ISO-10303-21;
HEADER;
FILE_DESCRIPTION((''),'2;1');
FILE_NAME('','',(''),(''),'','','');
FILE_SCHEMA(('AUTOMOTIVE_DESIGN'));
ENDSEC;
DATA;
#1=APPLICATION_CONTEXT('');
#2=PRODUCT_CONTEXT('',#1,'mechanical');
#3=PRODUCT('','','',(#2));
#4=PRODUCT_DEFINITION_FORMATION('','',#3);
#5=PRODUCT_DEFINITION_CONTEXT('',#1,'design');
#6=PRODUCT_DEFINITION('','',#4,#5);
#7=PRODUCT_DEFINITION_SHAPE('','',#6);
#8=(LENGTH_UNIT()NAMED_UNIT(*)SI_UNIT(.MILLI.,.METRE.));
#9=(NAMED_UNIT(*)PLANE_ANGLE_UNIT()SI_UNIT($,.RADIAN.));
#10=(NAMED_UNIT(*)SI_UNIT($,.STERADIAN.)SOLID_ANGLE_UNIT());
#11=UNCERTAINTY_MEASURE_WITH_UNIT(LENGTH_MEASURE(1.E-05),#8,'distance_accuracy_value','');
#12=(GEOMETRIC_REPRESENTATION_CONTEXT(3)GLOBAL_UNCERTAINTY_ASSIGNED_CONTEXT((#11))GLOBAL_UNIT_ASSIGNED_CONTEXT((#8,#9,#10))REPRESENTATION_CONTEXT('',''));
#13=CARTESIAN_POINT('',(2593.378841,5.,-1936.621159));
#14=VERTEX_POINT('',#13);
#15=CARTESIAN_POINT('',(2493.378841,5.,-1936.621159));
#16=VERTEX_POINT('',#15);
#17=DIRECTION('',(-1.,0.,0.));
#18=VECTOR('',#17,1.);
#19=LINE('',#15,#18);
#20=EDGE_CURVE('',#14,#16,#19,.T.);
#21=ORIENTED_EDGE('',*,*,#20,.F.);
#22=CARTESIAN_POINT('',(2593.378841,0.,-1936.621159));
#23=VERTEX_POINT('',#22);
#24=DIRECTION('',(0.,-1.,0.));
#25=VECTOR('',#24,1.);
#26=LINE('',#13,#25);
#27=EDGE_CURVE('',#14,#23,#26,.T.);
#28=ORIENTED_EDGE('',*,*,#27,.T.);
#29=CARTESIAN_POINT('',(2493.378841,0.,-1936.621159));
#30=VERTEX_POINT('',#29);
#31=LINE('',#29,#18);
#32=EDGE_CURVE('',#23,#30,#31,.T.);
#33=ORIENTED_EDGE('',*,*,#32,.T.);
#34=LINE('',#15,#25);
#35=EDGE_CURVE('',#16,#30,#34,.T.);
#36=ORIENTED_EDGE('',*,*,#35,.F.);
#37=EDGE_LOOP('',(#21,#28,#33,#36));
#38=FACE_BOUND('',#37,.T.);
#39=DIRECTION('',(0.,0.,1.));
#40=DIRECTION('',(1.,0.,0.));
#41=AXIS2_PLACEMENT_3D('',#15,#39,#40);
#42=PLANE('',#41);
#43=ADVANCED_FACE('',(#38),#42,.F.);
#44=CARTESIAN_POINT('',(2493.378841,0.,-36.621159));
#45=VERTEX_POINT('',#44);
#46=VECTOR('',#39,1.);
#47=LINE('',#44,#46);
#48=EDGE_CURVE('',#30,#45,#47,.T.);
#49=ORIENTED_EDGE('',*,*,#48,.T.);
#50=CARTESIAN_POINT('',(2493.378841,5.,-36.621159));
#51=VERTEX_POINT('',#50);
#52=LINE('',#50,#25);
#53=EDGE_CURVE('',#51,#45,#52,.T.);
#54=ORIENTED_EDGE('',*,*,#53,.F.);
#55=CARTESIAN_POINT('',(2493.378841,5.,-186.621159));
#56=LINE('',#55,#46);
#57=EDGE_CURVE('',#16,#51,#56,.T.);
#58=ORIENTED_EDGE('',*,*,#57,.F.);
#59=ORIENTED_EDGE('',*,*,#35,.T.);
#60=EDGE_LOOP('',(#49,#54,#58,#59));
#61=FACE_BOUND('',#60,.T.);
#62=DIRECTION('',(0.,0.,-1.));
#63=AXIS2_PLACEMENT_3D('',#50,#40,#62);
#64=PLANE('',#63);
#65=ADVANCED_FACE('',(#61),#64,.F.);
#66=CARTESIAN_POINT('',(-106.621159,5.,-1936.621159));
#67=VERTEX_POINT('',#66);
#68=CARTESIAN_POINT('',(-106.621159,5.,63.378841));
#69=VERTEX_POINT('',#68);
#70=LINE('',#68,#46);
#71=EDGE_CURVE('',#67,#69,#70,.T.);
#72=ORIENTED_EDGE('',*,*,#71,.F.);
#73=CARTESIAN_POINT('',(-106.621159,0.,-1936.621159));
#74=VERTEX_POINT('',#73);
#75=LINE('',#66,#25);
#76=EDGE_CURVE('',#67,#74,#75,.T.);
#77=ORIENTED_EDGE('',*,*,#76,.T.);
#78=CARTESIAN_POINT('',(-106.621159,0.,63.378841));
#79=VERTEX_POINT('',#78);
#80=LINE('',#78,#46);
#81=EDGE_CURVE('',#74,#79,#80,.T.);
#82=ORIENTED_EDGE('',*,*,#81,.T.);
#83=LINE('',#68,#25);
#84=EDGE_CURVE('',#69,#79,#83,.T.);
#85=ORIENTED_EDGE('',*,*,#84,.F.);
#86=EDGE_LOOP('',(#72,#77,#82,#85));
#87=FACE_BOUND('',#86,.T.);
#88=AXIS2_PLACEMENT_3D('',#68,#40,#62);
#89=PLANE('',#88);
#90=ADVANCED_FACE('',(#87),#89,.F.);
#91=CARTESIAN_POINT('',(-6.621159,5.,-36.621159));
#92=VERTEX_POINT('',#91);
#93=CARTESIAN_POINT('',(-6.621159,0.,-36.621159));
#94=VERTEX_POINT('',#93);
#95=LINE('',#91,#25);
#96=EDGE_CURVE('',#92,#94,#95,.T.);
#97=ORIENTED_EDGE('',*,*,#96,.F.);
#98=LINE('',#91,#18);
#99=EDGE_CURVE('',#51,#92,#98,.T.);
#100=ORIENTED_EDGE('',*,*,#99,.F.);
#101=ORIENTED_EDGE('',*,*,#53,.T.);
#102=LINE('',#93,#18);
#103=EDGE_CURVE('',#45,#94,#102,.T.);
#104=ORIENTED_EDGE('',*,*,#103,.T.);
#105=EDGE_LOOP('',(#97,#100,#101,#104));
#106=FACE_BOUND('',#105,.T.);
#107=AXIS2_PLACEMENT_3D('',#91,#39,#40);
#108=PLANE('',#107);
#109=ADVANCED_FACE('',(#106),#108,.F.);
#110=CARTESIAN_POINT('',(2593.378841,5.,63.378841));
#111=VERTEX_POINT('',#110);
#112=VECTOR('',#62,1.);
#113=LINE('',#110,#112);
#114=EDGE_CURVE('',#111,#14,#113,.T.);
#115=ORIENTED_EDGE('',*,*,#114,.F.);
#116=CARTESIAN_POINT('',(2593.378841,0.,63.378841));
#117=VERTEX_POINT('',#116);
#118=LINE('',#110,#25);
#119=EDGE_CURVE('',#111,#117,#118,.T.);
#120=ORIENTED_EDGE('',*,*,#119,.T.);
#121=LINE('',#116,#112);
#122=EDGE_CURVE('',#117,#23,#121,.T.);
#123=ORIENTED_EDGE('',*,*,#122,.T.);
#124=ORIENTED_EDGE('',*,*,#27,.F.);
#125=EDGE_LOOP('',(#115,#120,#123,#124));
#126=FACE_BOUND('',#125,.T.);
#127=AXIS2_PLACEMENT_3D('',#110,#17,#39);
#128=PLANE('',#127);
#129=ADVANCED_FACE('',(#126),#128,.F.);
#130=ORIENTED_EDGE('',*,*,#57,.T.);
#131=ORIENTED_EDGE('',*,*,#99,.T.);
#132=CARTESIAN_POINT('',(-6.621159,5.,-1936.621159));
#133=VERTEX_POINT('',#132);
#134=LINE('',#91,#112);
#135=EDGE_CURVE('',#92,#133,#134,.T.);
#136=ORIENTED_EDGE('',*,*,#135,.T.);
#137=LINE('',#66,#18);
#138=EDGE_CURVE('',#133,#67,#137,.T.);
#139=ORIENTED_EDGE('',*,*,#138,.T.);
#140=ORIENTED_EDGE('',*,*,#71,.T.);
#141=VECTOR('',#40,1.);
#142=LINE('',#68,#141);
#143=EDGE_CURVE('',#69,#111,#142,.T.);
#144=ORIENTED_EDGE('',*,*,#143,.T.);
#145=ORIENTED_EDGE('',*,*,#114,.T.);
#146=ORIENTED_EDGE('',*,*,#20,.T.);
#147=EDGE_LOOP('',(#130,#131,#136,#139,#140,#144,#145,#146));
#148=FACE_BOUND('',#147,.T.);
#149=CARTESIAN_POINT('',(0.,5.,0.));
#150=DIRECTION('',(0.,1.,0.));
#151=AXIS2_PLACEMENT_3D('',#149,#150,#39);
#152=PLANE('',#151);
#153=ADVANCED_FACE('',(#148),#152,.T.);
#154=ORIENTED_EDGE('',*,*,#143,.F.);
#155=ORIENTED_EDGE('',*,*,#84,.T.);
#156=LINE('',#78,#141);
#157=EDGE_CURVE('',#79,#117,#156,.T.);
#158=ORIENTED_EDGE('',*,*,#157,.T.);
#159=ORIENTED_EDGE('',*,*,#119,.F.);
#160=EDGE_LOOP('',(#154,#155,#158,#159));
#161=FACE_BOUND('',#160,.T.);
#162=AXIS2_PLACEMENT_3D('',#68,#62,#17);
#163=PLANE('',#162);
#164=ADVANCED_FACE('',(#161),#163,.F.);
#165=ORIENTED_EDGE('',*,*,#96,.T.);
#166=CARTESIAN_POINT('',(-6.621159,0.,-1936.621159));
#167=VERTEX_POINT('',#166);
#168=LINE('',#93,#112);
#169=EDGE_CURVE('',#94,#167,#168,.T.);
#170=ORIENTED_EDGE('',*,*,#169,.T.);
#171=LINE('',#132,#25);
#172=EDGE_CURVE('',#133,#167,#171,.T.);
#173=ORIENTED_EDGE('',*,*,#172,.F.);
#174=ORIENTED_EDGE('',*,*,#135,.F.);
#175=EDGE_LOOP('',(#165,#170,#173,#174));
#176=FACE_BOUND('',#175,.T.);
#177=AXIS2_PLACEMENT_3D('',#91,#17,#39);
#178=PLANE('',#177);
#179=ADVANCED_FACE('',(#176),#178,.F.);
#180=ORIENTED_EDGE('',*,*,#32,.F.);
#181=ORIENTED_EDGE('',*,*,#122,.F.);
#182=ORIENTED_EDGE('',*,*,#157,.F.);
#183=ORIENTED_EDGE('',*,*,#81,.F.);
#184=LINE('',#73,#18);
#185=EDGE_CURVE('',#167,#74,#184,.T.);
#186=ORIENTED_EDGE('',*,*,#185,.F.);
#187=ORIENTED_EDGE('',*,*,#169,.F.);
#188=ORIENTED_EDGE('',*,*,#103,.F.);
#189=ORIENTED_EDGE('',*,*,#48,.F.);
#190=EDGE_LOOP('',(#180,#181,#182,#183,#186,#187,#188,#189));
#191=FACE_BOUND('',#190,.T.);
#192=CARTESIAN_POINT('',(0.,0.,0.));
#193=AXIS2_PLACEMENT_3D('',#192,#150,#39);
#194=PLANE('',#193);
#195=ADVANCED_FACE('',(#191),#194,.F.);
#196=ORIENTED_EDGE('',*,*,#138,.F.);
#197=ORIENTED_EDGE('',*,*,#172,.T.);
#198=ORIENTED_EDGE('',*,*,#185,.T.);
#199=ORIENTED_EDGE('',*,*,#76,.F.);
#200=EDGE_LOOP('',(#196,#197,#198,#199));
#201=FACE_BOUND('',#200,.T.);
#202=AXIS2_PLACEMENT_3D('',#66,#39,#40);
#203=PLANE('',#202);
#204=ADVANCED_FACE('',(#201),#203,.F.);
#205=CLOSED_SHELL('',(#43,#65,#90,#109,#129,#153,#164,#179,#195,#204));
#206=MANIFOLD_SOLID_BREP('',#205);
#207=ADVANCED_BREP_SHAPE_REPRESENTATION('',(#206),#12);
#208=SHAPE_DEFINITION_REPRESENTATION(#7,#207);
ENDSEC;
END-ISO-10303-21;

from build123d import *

# Parameters (mm, degrees)
BOSS_EXTRUDE1_DEPTH = 5


with BuildPart() as part:
    # Sketch1 → Boss-Extrude1 (new body)
    with BuildSketch(Plane(origin=(0, 0, 0), x_dir=(1, 0, 0), z_dir=(0, 1, 0))):
        Polygon((-106.62115926, -63.37884074), (2593.37884074, -63.37884074), (2593.37884074, 1936.62115926), (2493.37884074, 1936.62115926), (2493.37884074, 186.62115926), (2493.37884074, 36.62115926), (-6.62115926, 36.62115926), (-6.62115926, 1936.62115926), (-106.62115926, 1936.62115926), align=None)
    extrude(amount=BOSS_EXTRUDE1_DEPTH)


solid = part.part
